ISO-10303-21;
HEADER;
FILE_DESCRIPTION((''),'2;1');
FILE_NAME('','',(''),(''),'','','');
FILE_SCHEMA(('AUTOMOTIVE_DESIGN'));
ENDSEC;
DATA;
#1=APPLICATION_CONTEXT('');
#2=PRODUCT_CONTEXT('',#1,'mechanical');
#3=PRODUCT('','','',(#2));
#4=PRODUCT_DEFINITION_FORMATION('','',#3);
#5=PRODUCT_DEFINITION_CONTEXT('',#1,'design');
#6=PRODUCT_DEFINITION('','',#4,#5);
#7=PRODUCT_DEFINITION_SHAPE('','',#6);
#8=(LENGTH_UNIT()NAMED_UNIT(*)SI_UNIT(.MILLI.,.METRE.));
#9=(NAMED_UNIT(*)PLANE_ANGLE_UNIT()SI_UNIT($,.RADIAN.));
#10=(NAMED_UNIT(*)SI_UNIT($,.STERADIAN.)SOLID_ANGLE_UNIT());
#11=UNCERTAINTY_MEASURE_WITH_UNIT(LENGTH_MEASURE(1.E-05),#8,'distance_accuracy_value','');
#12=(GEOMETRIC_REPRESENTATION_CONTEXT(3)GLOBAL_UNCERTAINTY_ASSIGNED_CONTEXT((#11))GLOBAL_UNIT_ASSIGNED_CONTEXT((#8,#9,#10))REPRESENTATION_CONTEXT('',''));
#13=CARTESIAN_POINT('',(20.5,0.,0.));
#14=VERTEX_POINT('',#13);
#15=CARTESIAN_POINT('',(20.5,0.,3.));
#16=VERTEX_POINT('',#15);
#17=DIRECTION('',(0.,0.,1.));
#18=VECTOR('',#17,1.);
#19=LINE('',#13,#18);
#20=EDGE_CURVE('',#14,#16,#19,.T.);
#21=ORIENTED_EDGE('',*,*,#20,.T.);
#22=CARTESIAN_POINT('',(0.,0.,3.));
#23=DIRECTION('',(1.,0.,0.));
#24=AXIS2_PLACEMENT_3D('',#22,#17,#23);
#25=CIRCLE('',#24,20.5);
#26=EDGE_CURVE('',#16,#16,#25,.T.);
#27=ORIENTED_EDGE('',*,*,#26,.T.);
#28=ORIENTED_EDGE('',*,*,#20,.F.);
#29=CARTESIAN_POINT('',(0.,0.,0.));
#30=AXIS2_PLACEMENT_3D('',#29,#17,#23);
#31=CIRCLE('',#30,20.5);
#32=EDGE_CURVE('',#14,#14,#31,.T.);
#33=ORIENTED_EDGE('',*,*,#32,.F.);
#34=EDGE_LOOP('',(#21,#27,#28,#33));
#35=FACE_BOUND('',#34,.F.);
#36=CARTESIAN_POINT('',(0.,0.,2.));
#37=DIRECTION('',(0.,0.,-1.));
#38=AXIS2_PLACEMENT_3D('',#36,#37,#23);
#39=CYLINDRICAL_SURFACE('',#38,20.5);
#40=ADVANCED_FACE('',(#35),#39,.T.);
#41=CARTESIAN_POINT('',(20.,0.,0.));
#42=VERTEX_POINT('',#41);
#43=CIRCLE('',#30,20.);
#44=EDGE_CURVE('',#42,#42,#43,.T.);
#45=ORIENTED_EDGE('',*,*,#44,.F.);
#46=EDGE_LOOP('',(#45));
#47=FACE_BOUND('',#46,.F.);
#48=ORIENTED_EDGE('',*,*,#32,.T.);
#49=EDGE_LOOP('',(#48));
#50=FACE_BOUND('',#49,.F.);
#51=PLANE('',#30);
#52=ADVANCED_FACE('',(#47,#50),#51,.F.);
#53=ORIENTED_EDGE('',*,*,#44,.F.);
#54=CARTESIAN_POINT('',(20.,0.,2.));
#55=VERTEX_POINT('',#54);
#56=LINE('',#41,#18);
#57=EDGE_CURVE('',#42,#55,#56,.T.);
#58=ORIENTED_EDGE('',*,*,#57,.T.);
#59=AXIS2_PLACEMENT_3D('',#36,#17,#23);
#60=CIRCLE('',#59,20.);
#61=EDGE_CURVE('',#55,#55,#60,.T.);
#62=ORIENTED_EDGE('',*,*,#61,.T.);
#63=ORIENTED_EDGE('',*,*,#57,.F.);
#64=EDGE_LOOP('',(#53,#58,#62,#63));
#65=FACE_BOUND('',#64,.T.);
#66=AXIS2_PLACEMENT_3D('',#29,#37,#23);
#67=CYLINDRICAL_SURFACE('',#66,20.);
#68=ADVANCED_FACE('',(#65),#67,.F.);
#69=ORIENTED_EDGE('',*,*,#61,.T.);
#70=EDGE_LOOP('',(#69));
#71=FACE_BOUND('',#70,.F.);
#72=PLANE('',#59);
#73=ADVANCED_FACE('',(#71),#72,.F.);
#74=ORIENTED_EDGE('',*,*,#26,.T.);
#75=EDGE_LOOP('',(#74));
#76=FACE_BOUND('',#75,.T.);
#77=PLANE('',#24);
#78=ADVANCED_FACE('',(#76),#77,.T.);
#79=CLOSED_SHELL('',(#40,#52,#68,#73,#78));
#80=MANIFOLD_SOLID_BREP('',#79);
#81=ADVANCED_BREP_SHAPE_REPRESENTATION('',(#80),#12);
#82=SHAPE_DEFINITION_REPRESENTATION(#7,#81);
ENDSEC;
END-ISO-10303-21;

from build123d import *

# Parameters (mm, degrees)
F0_R     = 20.5
F0_R_2   = 20
F1_DEPTH = 2
F2_START = 2
F2_DEPTH = 1


with BuildPart() as f1:
    # F0 (on Top) → F1 (new body)
    with BuildSketch(Plane.XY):
        Circle(F0_R)
        Circle(F0_R_2, mode=Mode.SUBTRACT)
    extrude(amount=F1_DEPTH)

    # F0 (on Top) → F2 (join)
    with BuildSketch(Plane.XY.offset(F2_START)):
        Circle(F0_R)
        Circle(F0_R_2, mode=Mode.SUBTRACT)
        Circle(F0_R_2)
    extrude(amount=F2_DEPTH)


solid = f1.part
